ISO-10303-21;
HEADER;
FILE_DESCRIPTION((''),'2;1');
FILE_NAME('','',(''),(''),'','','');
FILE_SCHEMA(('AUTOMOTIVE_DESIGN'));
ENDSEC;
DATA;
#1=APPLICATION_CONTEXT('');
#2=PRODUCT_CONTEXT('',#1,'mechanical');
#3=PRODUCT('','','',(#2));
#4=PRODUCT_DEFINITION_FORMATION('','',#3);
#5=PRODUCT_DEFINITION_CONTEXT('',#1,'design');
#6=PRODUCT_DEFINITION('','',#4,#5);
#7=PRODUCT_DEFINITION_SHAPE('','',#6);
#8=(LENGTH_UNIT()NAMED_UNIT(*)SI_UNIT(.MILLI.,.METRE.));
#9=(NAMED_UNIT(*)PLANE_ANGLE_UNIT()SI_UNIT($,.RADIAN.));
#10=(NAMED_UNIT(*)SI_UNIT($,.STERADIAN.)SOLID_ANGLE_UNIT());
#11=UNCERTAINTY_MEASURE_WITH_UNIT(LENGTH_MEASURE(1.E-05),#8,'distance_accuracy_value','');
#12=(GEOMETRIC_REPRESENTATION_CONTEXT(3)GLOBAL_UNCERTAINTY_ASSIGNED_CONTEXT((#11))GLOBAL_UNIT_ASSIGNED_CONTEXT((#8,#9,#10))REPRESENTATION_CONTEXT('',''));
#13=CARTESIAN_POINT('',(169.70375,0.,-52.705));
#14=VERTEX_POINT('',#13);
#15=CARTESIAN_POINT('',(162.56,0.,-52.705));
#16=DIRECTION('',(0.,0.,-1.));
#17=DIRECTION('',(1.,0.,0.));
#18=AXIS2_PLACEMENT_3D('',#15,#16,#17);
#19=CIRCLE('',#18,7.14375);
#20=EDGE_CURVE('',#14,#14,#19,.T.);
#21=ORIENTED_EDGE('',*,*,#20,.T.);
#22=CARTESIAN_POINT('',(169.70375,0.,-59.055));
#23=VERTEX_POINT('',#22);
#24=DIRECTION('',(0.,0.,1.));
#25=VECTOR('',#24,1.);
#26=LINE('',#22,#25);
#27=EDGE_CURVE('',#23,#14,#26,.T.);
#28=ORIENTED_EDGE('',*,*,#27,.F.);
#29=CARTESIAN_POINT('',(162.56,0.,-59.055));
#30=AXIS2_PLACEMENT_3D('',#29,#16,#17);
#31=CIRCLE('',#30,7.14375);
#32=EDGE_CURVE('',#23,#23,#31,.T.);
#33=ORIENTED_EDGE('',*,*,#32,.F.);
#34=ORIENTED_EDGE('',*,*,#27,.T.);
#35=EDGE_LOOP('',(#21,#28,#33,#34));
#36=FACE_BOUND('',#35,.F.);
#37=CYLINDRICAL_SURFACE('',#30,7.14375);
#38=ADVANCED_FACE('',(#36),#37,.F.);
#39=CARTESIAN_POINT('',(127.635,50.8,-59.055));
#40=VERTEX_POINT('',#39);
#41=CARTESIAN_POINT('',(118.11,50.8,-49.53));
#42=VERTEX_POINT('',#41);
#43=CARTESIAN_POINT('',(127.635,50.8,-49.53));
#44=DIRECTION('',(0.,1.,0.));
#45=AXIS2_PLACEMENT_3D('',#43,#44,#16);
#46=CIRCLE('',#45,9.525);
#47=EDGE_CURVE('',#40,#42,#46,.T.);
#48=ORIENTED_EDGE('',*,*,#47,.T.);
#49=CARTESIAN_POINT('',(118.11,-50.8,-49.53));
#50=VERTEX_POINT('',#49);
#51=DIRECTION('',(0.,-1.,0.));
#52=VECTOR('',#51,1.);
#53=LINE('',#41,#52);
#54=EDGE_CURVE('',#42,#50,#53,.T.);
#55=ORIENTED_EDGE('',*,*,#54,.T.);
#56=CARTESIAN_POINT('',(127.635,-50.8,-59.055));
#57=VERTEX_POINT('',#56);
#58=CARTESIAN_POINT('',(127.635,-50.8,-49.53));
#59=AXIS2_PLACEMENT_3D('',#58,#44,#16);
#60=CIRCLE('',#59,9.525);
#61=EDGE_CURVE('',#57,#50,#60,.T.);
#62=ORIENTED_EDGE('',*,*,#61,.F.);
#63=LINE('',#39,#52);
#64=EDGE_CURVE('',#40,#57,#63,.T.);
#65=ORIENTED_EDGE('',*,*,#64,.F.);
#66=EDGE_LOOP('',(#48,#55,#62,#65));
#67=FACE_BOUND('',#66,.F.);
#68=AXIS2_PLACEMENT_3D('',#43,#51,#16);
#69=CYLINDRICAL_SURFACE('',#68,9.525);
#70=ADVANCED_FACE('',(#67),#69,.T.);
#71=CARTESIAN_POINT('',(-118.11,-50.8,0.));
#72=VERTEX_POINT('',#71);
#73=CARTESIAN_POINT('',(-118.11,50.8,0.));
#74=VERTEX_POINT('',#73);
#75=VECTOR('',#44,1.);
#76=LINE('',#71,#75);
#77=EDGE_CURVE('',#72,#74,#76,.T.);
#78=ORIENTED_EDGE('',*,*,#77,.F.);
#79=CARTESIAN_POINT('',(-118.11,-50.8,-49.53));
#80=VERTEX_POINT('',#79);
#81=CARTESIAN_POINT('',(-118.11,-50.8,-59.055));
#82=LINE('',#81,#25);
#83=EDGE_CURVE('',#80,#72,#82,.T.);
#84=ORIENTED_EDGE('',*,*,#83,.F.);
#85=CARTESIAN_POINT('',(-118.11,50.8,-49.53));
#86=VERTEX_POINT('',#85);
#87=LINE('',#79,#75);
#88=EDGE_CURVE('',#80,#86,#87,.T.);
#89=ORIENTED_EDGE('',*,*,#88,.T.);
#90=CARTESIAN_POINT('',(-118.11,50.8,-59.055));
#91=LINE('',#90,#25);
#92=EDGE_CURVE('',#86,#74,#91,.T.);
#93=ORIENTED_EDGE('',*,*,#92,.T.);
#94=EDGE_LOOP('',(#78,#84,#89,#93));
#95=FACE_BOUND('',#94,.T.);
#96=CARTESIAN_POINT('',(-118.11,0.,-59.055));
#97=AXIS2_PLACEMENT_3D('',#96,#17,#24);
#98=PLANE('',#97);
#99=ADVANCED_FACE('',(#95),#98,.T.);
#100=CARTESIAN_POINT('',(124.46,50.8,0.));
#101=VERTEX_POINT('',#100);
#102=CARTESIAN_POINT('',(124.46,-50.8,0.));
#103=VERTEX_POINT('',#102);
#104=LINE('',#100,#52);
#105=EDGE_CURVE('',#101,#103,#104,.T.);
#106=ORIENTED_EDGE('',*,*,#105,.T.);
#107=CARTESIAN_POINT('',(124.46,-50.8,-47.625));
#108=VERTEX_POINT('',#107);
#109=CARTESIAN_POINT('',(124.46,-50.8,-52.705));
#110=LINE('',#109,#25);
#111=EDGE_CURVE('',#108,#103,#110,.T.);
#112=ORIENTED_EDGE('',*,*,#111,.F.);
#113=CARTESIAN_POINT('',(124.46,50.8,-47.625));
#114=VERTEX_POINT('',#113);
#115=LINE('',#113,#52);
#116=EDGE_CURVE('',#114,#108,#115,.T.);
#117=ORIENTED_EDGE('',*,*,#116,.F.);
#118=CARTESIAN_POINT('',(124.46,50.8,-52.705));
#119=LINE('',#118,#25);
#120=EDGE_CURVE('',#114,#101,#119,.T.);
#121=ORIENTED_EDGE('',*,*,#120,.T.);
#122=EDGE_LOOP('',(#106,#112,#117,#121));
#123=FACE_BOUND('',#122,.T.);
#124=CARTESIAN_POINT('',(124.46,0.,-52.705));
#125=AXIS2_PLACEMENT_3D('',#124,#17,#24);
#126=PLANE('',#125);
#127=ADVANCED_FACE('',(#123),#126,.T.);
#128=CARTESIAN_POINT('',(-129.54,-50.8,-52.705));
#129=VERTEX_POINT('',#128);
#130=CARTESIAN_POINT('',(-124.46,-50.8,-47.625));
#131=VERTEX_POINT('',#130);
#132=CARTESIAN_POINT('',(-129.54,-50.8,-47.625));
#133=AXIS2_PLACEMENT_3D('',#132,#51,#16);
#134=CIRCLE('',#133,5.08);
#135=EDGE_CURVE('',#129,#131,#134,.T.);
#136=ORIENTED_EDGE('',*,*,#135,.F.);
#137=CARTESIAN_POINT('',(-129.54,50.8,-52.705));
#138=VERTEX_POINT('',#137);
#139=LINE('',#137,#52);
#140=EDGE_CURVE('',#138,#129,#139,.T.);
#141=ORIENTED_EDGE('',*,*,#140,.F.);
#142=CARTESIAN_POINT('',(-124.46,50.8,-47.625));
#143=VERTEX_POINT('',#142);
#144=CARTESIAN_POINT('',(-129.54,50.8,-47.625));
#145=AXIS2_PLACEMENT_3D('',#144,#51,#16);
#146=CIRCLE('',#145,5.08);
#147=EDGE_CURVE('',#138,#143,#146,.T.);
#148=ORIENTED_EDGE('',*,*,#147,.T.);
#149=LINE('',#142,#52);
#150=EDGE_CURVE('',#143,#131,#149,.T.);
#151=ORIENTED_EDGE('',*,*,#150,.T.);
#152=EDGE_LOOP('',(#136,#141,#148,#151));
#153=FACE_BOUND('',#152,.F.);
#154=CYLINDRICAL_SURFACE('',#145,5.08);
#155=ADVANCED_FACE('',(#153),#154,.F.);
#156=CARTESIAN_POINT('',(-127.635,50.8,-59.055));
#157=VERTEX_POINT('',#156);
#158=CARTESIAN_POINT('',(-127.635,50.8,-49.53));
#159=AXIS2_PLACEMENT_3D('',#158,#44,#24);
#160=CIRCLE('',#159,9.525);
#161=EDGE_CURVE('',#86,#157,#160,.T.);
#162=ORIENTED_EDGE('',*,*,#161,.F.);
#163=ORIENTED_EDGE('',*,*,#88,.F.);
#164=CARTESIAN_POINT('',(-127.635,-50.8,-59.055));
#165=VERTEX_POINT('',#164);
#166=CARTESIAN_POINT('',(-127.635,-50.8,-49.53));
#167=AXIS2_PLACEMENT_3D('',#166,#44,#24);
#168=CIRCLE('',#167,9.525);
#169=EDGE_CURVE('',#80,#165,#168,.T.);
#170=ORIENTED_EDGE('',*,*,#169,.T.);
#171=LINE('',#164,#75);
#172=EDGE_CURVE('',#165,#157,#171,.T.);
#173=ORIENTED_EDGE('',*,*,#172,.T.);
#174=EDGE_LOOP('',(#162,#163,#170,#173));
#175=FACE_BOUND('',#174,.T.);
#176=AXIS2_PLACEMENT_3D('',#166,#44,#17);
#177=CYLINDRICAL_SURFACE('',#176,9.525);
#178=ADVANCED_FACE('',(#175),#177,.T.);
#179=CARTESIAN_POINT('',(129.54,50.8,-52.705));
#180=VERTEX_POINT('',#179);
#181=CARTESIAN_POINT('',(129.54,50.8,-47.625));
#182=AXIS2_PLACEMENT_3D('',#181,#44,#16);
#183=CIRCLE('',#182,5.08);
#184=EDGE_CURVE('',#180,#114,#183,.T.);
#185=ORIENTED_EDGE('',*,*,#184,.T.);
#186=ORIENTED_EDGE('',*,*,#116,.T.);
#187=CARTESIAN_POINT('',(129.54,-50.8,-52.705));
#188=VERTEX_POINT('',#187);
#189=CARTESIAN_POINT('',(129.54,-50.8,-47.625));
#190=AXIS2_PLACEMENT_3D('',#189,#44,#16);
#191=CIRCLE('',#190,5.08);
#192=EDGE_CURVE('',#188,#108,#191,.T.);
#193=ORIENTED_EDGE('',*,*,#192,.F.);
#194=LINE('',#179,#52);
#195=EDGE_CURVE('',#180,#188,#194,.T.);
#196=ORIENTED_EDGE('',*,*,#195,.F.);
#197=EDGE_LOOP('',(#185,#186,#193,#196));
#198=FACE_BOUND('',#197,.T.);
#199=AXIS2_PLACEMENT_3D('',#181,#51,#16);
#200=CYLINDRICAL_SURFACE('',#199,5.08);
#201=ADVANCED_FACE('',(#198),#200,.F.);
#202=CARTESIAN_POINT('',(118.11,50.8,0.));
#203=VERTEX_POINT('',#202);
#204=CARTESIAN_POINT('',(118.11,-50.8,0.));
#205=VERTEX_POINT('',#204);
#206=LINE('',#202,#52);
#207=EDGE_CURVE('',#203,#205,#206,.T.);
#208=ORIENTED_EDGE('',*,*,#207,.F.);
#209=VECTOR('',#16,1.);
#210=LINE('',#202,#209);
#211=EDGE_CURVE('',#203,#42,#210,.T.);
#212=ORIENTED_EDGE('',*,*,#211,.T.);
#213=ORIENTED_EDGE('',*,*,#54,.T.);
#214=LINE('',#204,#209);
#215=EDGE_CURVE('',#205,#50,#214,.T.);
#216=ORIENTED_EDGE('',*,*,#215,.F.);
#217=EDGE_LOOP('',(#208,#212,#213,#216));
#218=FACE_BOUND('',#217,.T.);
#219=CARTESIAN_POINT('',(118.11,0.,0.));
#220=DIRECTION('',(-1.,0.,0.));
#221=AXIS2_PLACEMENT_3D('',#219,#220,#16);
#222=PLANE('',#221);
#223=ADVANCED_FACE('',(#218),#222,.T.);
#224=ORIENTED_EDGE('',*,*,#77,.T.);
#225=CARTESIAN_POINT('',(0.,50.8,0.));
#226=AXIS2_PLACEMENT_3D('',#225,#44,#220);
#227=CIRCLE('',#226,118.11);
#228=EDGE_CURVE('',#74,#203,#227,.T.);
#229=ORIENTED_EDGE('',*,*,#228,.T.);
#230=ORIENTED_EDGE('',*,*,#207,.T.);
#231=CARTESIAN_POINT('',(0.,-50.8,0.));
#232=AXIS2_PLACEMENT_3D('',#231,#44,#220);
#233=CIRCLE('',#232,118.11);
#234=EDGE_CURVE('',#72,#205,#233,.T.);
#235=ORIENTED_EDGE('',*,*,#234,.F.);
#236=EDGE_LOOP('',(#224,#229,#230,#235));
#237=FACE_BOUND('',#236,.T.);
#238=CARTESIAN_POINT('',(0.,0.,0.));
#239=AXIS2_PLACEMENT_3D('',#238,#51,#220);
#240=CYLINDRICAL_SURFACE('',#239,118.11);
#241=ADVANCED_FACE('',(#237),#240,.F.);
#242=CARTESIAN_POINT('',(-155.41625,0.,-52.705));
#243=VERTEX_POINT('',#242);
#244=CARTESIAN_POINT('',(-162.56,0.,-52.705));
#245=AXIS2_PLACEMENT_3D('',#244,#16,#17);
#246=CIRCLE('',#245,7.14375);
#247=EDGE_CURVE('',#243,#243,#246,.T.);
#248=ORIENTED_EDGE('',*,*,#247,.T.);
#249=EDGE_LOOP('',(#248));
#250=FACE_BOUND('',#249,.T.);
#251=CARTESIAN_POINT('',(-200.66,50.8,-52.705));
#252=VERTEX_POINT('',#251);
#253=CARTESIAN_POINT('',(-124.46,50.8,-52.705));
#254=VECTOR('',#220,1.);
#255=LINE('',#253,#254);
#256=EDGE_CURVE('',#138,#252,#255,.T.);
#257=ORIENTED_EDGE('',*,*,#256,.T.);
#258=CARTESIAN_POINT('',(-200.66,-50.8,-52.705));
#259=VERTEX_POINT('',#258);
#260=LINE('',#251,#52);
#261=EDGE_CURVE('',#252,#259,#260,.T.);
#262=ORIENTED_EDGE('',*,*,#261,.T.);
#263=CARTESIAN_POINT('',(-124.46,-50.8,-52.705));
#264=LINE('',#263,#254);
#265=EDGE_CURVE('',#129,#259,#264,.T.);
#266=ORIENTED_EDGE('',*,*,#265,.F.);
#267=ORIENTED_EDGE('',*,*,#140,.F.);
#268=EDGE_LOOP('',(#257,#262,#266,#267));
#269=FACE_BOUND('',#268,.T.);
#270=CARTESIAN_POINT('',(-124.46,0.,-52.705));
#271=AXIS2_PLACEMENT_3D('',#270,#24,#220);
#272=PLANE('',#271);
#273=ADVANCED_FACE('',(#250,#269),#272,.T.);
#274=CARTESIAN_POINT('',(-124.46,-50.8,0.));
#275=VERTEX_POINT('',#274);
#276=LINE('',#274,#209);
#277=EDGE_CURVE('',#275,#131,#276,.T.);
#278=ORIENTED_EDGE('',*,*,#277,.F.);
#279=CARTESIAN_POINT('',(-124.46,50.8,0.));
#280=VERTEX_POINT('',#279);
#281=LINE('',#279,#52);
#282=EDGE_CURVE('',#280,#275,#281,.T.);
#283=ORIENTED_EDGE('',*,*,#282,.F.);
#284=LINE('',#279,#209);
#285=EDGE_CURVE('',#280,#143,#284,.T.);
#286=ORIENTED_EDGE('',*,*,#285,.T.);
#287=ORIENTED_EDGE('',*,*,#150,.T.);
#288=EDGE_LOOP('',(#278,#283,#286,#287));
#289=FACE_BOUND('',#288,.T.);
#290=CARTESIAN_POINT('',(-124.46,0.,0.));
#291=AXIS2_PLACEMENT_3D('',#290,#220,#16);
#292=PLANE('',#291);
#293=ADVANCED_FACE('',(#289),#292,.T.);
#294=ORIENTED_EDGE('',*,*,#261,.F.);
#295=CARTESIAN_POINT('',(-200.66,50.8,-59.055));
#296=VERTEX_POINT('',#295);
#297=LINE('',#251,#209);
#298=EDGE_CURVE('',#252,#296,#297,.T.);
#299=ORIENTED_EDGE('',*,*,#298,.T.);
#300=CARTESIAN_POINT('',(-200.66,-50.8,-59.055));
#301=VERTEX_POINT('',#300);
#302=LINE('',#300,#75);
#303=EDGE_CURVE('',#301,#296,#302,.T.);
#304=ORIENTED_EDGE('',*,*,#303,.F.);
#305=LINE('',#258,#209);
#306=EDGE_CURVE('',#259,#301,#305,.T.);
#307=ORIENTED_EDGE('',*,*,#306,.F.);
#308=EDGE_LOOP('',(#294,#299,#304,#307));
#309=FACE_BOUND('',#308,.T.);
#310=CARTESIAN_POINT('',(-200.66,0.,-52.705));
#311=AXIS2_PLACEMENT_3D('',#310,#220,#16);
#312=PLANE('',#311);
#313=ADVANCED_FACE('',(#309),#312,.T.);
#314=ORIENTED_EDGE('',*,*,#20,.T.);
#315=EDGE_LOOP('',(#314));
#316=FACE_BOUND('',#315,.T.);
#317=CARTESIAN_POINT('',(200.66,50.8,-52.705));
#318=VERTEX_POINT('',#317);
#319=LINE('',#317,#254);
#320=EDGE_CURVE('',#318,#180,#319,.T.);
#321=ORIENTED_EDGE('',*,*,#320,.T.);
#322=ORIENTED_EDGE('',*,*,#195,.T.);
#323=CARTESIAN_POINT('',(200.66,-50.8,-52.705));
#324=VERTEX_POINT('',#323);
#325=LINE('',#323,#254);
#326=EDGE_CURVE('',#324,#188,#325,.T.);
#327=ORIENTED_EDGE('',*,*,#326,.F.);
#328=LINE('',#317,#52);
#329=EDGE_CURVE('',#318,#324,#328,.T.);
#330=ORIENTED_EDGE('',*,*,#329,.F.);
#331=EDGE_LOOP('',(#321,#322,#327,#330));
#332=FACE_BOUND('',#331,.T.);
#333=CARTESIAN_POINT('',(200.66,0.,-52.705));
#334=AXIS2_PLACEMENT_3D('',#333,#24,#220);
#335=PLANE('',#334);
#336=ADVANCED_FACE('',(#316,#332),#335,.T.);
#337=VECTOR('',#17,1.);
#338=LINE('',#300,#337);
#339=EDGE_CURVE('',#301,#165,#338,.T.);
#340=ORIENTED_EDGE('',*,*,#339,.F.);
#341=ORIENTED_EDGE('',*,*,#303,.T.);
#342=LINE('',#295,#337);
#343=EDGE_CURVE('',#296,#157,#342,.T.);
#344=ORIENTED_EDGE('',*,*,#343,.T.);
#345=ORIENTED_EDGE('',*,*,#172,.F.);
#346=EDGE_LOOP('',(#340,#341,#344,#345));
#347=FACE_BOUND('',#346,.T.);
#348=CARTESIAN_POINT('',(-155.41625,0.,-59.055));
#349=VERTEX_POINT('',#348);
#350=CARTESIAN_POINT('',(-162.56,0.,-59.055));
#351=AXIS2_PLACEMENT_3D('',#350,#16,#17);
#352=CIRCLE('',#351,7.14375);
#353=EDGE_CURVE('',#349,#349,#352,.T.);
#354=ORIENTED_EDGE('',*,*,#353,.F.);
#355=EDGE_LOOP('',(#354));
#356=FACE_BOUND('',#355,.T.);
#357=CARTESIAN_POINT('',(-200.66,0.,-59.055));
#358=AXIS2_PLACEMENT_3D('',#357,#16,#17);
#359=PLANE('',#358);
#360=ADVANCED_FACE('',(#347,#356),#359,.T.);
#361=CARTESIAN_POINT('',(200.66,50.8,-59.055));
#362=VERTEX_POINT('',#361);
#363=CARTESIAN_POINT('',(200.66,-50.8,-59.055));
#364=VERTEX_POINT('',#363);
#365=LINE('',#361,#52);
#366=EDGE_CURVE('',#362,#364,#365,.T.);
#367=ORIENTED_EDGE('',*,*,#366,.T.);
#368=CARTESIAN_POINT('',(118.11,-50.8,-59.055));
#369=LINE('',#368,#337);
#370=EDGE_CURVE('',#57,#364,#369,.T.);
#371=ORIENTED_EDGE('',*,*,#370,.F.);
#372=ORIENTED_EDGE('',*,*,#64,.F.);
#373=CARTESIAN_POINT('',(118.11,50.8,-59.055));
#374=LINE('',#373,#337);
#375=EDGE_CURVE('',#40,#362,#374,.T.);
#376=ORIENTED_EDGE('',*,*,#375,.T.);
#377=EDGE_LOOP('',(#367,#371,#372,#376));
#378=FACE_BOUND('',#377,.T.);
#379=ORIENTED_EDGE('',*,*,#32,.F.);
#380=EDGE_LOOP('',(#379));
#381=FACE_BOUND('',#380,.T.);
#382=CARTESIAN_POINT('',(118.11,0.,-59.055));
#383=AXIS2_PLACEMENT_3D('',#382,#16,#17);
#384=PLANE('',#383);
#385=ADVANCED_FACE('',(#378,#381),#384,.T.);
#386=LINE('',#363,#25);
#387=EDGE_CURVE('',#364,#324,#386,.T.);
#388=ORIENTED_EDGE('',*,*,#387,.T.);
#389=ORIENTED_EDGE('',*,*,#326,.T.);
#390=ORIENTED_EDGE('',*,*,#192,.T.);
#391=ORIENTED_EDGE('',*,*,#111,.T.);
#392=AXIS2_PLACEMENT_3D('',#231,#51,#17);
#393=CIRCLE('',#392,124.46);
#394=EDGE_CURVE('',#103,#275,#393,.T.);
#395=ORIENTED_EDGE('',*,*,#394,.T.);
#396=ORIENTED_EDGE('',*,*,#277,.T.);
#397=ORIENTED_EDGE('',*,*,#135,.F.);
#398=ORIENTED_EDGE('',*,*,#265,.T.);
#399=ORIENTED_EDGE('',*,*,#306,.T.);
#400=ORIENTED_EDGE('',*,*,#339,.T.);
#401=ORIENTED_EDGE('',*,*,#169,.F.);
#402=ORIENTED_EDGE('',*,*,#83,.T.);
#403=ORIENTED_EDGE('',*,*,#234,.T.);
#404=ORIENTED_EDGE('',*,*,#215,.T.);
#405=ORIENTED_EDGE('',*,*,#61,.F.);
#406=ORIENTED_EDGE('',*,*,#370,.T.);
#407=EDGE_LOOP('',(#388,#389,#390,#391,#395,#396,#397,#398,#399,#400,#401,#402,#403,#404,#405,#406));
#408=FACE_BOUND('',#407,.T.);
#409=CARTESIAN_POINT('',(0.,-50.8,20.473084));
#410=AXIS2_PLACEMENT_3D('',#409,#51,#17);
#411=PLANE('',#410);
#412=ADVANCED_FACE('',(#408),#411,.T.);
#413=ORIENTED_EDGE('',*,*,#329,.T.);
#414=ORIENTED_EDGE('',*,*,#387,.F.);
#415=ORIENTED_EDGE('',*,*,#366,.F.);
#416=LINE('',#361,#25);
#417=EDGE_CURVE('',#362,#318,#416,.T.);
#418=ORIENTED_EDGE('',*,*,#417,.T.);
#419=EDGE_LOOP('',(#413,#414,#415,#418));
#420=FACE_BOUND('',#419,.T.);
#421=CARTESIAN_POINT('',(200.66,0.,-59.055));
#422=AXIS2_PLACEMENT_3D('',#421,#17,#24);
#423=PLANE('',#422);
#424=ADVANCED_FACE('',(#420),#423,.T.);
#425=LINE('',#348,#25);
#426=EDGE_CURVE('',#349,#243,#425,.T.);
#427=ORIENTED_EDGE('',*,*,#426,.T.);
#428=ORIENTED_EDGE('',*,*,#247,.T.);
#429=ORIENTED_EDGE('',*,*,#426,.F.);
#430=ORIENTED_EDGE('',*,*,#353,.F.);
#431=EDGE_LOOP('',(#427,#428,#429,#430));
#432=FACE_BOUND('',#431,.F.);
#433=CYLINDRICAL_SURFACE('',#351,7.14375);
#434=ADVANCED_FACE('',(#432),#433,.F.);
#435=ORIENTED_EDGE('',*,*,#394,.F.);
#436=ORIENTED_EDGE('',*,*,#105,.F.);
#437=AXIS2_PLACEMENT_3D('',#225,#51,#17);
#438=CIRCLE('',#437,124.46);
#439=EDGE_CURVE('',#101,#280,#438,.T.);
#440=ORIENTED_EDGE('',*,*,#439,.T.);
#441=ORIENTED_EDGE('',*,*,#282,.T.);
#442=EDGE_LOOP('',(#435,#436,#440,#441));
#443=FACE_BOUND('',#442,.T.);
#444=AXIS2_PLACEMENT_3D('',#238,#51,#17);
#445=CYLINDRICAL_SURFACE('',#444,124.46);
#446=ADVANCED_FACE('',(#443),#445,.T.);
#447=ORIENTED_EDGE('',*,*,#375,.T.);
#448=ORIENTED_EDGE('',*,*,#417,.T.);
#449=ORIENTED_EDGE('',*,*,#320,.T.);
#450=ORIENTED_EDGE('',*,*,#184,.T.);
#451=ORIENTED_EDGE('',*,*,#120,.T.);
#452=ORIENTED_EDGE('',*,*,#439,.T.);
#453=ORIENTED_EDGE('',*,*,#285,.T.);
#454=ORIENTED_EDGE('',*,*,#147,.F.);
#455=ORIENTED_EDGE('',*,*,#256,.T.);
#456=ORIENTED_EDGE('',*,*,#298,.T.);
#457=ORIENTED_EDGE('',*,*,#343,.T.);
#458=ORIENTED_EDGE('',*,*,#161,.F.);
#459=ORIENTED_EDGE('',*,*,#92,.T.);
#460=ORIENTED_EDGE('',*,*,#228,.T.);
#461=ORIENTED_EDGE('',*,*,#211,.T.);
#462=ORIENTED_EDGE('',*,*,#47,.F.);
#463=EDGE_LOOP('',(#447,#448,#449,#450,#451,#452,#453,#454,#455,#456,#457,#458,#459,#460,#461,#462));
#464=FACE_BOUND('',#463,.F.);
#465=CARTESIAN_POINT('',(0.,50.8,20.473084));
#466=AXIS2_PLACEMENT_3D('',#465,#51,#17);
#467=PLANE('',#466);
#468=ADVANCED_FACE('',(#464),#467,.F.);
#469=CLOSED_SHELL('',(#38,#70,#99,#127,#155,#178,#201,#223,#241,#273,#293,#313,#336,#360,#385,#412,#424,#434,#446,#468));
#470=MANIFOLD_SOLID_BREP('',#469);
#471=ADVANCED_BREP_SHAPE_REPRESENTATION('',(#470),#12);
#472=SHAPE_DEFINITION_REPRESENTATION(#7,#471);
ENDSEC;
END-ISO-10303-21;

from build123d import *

# Parameters (mm, degrees)
F1_DEPTH = 50.8
F3_R     = 9.525
F4_R     = 5.08
F2_R     = 7.14375
F5_DEPTH = 25.4


with BuildPart() as f1:
    # F0 (on Front) → F1 (new body, symmetric)
    with BuildSketch(Plane.XZ):
        with BuildLine():
            ThreePointArc((-118.11, 0), (0, 118.11), (118.11, 0))
            Line((118.11, 0), (118.11, -59.055))
            Line((118.11, -59.055), (200.66, -59.055))
            Line((200.66, -59.055), (200.66, -52.705))
            Line((200.66, -52.705), (124.46, -52.705))
            Line((124.46, -52.705), (124.46, 0))
            ThreePointArc((124.46, 0), (0, 124.46), (-124.46, 0))
            Line((-124.46, 0), (-124.46, -52.705))
            Line((-124.46, -52.705), (-200.66, -52.705))
            Line((-200.66, -52.705), (-200.66, -59.055))
            Line((-200.66, -59.055), (-118.11, -59.055))
            Line((-118.11, -59.055), (-118.11, 0))
        make_face()
    extrude(amount=F1_DEPTH, both=True)

    # F3
    f3_edges = [f1.edges().sort_by_distance(p)[0] for p in [
        (-118.11, 0, -59.055),
        (118.11, 0, -59.055),
    ]]
    fillet(f3_edges, radius=F3_R)

    # F4
    f4_edges = [f1.edges().sort_by_distance(p)[0] for p in [
        (-124.46, 0, -52.705),
        (124.46, 0, -52.705),
    ]]
    fillet(f4_edges, radius=F4_R)

    # F2 (on face) → F5 (cut)
    with BuildSketch(Plane(origin=(0, 0, -59.055), x_dir=(1, 0, 0), z_dir=(0, 0, -1))):
        with Locations((-162.56, 0)):
            Circle(F2_R)
        with Locations((162.56, 0)):
            Circle(F2_R)
    extrude(amount=-F5_DEPTH, mode=Mode.SUBTRACT)


solid = f1.part
